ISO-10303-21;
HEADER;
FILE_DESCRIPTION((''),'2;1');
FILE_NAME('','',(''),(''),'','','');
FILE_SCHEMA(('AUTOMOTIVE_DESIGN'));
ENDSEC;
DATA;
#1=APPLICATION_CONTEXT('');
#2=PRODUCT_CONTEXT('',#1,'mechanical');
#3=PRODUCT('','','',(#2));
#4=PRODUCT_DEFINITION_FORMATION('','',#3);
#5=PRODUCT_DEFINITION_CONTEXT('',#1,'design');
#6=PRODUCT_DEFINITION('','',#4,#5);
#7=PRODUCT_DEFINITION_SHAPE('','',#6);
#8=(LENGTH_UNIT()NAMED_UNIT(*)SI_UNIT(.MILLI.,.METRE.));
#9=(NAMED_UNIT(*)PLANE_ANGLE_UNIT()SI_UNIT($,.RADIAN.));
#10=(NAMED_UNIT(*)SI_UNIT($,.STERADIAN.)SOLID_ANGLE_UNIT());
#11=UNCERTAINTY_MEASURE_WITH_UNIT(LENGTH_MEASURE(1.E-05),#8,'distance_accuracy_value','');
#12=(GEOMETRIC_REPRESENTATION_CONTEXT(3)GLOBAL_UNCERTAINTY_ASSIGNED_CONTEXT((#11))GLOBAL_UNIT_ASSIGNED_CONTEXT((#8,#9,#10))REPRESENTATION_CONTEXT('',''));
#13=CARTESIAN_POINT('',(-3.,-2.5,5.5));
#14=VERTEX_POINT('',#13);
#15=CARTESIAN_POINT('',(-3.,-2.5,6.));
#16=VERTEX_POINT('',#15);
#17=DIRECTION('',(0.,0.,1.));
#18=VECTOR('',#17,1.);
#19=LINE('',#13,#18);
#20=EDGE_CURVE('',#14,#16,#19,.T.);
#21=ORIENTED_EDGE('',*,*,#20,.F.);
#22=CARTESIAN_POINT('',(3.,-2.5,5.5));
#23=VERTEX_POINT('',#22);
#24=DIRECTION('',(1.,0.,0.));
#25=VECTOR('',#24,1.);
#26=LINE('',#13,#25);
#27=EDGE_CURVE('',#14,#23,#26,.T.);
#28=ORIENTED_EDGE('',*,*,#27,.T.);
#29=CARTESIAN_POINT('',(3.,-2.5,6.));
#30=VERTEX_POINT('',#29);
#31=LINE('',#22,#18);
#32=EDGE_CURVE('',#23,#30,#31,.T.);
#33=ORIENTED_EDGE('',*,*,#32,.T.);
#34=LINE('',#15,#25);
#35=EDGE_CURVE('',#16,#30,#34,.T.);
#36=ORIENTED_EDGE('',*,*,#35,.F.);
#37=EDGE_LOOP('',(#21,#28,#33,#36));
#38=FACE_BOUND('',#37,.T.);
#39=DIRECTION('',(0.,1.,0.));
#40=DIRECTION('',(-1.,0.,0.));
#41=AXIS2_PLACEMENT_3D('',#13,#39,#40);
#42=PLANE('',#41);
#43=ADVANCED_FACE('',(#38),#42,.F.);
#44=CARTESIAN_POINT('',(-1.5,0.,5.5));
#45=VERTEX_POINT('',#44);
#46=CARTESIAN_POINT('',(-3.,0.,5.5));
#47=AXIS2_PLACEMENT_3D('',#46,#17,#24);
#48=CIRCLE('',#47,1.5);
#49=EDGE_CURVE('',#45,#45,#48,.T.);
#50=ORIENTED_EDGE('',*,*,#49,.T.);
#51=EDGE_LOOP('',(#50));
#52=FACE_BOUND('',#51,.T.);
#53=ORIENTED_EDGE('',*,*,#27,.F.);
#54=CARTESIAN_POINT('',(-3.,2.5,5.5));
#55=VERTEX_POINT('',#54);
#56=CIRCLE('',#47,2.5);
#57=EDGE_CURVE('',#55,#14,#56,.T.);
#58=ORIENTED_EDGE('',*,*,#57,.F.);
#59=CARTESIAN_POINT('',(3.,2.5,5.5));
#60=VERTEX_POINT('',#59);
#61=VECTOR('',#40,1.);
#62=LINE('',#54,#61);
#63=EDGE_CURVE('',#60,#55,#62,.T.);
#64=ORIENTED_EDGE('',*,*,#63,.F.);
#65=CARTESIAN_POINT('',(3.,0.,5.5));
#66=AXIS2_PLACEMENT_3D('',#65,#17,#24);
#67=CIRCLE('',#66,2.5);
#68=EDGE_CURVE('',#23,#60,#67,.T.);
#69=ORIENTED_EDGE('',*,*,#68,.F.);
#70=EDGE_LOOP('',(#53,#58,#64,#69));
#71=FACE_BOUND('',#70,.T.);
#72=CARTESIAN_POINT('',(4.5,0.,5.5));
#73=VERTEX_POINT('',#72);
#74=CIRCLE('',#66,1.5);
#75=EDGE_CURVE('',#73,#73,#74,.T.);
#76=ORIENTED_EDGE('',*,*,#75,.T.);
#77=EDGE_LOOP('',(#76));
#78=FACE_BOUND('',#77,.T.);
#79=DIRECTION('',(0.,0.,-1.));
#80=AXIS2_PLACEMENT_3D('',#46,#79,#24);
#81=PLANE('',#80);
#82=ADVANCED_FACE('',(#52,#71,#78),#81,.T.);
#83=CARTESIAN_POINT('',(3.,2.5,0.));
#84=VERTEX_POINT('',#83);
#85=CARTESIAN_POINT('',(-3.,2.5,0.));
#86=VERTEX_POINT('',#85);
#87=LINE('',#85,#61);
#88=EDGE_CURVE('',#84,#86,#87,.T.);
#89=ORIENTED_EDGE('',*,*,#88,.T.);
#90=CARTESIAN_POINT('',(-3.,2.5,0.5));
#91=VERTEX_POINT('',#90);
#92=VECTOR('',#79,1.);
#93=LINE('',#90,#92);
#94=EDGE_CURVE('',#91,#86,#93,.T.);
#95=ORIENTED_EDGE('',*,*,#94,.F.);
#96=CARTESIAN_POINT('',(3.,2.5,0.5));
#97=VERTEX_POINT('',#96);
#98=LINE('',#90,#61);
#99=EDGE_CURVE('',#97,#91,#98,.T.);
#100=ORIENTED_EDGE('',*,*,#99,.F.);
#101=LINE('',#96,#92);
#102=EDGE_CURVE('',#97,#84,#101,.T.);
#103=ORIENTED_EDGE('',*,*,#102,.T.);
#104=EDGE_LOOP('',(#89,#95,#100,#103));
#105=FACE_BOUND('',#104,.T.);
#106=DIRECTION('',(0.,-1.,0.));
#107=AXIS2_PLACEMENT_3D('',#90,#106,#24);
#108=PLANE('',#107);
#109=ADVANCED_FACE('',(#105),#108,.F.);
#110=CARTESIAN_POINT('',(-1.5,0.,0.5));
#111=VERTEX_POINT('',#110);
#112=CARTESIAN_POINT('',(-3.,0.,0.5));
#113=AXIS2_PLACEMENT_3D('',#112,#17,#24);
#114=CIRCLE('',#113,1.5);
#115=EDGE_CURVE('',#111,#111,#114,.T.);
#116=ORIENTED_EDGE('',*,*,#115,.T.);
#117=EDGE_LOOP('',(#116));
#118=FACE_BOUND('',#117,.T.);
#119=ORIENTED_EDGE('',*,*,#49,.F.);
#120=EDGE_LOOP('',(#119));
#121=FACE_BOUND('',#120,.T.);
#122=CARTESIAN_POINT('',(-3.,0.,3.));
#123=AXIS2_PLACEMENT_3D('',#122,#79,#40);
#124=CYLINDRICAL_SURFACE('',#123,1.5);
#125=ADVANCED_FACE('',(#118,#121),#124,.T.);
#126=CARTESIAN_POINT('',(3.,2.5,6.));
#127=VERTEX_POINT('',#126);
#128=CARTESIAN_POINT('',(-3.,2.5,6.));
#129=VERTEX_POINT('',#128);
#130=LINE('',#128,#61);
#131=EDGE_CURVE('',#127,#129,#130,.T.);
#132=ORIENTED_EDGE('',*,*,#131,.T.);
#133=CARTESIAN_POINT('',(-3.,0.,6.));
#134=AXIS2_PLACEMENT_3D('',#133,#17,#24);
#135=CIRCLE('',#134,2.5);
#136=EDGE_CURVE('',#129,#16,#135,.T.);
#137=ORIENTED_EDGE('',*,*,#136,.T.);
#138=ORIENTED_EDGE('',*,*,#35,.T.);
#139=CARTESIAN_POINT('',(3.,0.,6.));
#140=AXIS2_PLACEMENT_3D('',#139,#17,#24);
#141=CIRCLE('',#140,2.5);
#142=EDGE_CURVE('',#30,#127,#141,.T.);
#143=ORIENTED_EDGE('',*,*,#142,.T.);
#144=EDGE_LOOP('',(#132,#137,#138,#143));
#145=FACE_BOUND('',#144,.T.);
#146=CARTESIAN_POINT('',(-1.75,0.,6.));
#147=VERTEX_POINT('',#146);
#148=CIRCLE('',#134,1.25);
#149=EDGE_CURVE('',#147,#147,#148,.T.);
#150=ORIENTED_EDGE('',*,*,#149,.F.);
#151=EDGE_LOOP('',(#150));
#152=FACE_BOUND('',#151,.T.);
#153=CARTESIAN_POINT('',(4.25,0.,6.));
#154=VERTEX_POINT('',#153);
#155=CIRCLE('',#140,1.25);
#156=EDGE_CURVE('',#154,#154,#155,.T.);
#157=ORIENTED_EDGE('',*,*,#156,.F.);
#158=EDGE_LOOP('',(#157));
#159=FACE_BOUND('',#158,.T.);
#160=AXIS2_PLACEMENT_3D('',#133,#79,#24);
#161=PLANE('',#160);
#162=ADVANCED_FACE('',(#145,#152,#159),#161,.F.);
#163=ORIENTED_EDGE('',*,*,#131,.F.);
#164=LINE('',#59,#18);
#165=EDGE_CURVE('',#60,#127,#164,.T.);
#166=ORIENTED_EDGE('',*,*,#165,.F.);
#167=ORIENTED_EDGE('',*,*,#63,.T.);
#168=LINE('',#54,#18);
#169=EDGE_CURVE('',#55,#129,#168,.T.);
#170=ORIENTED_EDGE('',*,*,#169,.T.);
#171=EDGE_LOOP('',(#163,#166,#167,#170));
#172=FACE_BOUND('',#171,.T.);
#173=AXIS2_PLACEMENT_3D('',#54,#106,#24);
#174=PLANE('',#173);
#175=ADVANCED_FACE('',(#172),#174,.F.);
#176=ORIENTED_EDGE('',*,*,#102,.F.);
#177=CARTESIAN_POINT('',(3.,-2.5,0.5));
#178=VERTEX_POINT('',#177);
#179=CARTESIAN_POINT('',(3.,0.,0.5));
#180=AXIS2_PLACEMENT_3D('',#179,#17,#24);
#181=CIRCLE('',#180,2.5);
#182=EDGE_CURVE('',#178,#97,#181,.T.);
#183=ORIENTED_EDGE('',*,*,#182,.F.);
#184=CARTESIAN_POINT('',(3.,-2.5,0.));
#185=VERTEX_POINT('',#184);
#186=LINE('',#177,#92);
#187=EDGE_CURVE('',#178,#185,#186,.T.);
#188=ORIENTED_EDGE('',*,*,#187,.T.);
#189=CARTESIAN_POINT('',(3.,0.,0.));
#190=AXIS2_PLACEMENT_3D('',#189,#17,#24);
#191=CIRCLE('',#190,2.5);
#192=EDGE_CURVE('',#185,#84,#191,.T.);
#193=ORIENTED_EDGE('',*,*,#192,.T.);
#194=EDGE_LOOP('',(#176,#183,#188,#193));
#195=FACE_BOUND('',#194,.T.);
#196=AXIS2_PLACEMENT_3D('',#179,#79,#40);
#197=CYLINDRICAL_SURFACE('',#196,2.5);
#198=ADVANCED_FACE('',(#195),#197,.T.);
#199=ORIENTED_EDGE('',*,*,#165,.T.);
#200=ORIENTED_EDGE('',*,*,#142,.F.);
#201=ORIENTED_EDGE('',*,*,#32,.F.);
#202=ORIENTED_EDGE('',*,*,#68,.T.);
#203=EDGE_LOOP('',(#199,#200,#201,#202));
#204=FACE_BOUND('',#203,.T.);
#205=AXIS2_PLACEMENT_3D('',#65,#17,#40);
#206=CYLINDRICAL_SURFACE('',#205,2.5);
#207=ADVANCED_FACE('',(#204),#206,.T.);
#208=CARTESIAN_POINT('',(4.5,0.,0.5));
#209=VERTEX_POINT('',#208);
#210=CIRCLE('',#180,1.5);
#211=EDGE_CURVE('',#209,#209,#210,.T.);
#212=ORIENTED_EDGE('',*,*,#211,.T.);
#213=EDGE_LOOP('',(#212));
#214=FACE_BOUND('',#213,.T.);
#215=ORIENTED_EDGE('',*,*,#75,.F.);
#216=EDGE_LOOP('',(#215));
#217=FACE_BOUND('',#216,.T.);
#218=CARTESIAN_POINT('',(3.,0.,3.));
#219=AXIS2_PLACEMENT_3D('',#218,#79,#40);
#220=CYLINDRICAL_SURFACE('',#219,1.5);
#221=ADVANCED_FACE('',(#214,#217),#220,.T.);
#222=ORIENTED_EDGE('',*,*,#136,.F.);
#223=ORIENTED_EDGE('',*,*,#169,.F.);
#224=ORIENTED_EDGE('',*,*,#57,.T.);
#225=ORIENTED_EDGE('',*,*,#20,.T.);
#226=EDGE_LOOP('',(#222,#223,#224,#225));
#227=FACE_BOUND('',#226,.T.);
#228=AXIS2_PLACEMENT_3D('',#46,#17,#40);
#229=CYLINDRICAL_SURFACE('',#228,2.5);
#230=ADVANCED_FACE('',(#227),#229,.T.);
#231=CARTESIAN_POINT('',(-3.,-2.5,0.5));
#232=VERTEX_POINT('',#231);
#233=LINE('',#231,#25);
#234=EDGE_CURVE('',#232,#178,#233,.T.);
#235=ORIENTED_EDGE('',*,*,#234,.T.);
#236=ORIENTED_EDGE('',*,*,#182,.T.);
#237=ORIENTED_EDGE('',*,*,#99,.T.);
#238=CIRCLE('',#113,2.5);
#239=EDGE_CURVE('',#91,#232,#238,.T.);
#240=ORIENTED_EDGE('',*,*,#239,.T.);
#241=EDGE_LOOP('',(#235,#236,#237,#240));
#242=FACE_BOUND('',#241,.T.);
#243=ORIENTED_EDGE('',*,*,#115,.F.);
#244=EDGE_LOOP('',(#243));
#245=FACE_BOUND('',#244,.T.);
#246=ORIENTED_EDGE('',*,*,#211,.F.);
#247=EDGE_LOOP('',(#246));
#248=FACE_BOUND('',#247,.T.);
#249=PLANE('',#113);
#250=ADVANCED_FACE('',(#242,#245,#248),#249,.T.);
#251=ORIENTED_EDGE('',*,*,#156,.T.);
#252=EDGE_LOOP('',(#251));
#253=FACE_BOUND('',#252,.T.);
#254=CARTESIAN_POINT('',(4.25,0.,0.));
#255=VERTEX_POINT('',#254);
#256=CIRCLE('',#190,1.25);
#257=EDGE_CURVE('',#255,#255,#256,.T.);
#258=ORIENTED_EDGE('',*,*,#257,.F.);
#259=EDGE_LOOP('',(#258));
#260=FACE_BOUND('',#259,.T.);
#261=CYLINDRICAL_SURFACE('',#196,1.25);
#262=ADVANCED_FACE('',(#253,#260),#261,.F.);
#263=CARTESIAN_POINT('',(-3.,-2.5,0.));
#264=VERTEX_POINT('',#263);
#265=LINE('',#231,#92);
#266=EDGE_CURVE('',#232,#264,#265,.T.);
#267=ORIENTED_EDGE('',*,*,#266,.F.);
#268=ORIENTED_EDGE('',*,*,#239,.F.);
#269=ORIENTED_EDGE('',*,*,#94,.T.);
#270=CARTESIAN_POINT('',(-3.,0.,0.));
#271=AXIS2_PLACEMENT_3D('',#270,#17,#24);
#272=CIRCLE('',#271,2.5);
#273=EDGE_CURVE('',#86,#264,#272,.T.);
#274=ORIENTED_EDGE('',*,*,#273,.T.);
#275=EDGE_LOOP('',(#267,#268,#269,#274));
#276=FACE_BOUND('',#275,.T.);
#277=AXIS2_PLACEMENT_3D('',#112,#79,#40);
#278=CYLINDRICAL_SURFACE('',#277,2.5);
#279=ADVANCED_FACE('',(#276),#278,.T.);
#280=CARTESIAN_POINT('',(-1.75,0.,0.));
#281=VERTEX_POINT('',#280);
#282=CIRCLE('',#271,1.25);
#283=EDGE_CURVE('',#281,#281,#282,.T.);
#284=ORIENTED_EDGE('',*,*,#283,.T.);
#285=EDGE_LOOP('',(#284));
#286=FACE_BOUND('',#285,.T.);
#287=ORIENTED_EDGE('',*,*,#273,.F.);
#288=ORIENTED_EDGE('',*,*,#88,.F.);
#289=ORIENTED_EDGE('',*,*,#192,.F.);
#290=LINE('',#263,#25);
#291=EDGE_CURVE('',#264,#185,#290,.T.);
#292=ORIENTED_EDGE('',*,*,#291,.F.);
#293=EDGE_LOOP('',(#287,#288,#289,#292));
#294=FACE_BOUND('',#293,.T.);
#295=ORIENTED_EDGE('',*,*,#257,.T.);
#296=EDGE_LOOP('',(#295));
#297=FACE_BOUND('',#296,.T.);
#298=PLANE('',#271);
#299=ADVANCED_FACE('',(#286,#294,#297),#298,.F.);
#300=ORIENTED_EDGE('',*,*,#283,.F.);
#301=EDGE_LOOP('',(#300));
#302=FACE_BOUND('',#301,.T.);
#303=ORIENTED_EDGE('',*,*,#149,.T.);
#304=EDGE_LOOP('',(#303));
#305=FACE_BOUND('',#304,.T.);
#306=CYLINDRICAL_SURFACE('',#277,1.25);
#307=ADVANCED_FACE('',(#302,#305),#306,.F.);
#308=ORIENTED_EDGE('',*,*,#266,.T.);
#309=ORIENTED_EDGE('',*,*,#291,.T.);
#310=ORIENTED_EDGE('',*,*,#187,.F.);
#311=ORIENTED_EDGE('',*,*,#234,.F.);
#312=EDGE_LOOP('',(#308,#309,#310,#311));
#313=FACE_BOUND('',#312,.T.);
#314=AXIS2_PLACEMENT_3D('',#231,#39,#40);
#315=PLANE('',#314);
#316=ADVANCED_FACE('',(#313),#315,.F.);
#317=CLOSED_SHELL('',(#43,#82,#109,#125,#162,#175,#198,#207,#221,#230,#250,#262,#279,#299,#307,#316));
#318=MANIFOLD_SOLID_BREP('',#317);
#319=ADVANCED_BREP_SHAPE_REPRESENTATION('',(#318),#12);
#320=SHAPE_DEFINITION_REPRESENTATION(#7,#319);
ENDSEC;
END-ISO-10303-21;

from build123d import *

# Parameters (mm, degrees)
SKETCH1_R           = 1.25
BOSS_EXTRUDE1_DEPTH = 0.5
SKETCH2_R           = 1.5
SKETCH2_R_2         = 1.25
EXTRUDE_THIN1_DEPTH = 2.5


with BuildPart() as part:
    # Sketch1 → Boss-Extrude1 (new body)
    with BuildSketch(Plane.XY):
        with BuildLine():
            Line((-3, 2.5), (3, 2.5))
            ThreePointArc((3, 2.5), (5.5, 0), (3, -2.5))
            Line((3, -2.5), (-3, -2.5))
            ThreePointArc((-3, -2.5), (-5.5, 0), (-3, 2.5))
        make_face()
        with Locations((-3, 0)):
            Circle(SKETCH1_R, mode=Mode.SUBTRACT)
        with Locations((3, 0)):
            Circle(SKETCH1_R, mode=Mode.SUBTRACT)
    boss_extrude1 = extrude(amount=BOSS_EXTRUDE1_DEPTH)

    # Sketch2 → Extrude-Thin1 (add)
    # profile 1 of 2: a face of its own
    with BuildSketch(Plane.XY.offset(0.5)):
        with Locations((-3, 0)):
            Circle(SKETCH2_R)
        with Locations((-3, 0)):
            Circle(SKETCH2_R_2, mode=Mode.SUBTRACT)
    # profile 2 of 2: a face of its own
    with BuildSketch(Plane.XY.offset(0.5)):
        with Locations((3, 0)):
            Circle(SKETCH2_R)
        with Locations((3, 0)):
            Circle(SKETCH2_R_2, mode=Mode.SUBTRACT)
    extrude_thin1 = extrude(amount=EXTRUDE_THIN1_DEPTH)

    # Mirror1: Boss-Extrude1, Extrude-Thin1 across plane
    add(boss_extrude1.mirror(Plane.XY.offset(3)))
    add(extrude_thin1.mirror(Plane.XY.offset(3)))


solid = part.part
